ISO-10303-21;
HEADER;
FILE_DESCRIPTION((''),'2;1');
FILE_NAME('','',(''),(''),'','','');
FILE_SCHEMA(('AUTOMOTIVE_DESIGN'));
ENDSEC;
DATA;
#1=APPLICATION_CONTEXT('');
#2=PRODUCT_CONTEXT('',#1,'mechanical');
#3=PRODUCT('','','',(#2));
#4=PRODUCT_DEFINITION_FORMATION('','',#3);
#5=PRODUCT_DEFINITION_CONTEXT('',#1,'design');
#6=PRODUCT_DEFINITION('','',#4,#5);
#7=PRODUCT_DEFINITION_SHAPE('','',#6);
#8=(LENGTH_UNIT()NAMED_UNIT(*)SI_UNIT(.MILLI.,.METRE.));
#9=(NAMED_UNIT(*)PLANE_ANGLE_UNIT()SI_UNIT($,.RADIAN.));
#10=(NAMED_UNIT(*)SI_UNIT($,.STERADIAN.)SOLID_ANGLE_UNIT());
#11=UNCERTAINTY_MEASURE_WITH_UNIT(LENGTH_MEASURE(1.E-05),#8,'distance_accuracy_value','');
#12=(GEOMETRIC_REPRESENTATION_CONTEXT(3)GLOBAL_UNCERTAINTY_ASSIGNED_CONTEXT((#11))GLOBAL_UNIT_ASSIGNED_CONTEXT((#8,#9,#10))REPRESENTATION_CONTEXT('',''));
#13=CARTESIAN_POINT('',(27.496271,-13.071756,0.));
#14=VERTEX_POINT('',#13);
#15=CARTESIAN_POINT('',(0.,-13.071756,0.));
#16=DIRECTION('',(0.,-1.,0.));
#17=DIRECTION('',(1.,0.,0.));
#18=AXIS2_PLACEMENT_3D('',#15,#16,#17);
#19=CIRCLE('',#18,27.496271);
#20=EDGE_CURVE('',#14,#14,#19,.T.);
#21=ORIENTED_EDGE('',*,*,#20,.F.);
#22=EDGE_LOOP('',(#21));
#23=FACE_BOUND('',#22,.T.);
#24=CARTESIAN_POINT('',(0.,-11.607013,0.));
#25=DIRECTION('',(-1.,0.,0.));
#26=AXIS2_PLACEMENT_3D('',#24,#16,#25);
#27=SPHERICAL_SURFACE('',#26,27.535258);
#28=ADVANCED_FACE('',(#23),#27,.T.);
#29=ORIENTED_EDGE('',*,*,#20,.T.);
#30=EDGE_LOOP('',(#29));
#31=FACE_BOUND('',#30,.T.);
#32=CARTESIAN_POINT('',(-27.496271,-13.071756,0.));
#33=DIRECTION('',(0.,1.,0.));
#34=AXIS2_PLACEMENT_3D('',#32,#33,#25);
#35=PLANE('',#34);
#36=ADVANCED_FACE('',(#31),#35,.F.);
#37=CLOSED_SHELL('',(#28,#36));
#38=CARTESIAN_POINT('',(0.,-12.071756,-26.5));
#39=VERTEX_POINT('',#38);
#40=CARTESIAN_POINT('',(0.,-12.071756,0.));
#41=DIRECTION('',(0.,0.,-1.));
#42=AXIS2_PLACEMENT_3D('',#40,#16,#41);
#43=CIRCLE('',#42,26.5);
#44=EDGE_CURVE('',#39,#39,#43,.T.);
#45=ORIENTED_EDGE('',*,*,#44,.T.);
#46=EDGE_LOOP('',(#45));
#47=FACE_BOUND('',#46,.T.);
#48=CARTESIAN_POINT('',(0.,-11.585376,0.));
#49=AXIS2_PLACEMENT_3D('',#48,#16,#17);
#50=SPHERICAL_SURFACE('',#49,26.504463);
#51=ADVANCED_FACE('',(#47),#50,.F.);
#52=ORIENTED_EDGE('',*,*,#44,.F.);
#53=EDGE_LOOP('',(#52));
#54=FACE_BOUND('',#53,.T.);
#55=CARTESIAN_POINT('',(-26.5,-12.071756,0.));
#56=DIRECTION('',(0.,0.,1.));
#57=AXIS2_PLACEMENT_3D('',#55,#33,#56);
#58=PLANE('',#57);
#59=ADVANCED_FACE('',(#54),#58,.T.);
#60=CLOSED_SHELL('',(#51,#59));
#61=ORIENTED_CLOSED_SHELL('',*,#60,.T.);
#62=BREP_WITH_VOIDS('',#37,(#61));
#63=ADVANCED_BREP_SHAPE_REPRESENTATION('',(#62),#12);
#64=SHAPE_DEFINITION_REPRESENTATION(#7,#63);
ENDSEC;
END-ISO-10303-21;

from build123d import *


with BuildPart() as part:
    # Esboço1 → Revolução2 (revolve)
    with BuildSketch(Plane.XY):
        with BuildLine():
            Line((0, -13.07175586), (0, 15.92824414))
            ThreePointArc((0, 15.92824414), (-19.981522347, 7.338412793), (-27.496271405, -13.07175586))
            Line((-27.496271405, -13.07175586), (0, -13.07175586))
        make_face()
    revolve(axis=Axis((0, -13.07175586, 0), (0, 1, 0)))

    # Esboço2 → Corte-Revolução1 (revolve, cut)
    with BuildSketch(Plane.XY):
        with BuildLine():
            Line((0, -12.07175586), (0, 14.919087154))
            ThreePointArc((0, 14.919087154), (-18.912665112, 6.983352145), (-26.5, -12.07175586))
            Line((-26.5, -12.07175586), (0, -12.07175586))
        make_face()
    revolve(axis=Axis((0, -12.07175586, 0), (0, 1, 0)), mode=Mode.SUBTRACT)


solid = part.part
